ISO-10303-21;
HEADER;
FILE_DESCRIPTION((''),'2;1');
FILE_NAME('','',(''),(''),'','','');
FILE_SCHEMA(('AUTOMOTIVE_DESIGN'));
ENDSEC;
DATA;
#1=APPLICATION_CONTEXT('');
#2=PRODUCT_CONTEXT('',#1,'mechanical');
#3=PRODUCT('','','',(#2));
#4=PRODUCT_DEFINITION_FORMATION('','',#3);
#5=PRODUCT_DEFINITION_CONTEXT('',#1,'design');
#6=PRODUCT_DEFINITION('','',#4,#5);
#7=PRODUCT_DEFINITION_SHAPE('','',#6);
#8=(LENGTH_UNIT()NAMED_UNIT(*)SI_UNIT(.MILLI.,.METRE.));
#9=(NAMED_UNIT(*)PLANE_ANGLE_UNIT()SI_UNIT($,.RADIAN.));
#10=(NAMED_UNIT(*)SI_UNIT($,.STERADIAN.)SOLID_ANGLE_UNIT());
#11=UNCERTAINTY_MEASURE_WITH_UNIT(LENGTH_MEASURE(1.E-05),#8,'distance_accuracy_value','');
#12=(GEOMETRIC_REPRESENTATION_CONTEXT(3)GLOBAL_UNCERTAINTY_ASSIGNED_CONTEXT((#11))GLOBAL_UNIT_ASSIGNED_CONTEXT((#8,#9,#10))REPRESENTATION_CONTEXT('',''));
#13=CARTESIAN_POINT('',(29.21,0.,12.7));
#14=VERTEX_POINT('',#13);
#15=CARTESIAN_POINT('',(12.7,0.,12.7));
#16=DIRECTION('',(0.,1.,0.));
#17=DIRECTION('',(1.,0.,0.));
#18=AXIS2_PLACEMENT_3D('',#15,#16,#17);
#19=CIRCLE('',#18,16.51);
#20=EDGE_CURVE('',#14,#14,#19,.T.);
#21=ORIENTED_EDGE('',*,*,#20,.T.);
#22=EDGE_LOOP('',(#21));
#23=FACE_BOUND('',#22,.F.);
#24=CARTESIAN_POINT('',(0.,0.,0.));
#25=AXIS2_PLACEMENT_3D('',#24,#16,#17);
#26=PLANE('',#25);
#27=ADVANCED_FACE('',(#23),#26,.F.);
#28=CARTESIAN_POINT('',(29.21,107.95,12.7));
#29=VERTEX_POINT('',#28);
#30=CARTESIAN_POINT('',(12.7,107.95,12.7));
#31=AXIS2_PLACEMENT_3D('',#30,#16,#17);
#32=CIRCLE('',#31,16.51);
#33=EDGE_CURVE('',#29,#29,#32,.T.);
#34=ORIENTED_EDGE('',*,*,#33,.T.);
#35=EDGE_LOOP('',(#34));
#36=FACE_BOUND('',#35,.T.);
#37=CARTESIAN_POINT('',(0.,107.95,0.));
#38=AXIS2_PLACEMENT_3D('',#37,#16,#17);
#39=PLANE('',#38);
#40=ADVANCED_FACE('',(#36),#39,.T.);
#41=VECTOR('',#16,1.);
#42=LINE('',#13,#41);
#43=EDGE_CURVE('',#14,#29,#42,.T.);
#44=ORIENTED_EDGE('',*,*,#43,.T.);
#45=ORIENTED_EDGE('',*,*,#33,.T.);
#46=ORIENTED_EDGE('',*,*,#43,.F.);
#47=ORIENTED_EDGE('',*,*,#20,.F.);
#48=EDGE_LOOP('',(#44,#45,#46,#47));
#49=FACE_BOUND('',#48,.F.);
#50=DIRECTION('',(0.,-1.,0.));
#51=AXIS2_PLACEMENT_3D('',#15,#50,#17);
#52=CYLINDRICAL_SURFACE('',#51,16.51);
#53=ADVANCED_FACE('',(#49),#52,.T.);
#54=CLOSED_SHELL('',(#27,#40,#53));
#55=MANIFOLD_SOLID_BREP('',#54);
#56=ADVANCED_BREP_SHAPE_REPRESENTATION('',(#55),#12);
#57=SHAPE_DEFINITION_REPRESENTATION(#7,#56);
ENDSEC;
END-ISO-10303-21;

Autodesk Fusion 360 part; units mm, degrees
sketch "Sketch1" plane through (0, 0, 0) normal (0, 1, 0) x (1, 0, 0)
  circle A0 centre (12.7, -12.7) radius 16.51
  dimension "d1" = 33.02
extrude "Extrude1" add sketch "Sketch1" along normal blind 107.95
